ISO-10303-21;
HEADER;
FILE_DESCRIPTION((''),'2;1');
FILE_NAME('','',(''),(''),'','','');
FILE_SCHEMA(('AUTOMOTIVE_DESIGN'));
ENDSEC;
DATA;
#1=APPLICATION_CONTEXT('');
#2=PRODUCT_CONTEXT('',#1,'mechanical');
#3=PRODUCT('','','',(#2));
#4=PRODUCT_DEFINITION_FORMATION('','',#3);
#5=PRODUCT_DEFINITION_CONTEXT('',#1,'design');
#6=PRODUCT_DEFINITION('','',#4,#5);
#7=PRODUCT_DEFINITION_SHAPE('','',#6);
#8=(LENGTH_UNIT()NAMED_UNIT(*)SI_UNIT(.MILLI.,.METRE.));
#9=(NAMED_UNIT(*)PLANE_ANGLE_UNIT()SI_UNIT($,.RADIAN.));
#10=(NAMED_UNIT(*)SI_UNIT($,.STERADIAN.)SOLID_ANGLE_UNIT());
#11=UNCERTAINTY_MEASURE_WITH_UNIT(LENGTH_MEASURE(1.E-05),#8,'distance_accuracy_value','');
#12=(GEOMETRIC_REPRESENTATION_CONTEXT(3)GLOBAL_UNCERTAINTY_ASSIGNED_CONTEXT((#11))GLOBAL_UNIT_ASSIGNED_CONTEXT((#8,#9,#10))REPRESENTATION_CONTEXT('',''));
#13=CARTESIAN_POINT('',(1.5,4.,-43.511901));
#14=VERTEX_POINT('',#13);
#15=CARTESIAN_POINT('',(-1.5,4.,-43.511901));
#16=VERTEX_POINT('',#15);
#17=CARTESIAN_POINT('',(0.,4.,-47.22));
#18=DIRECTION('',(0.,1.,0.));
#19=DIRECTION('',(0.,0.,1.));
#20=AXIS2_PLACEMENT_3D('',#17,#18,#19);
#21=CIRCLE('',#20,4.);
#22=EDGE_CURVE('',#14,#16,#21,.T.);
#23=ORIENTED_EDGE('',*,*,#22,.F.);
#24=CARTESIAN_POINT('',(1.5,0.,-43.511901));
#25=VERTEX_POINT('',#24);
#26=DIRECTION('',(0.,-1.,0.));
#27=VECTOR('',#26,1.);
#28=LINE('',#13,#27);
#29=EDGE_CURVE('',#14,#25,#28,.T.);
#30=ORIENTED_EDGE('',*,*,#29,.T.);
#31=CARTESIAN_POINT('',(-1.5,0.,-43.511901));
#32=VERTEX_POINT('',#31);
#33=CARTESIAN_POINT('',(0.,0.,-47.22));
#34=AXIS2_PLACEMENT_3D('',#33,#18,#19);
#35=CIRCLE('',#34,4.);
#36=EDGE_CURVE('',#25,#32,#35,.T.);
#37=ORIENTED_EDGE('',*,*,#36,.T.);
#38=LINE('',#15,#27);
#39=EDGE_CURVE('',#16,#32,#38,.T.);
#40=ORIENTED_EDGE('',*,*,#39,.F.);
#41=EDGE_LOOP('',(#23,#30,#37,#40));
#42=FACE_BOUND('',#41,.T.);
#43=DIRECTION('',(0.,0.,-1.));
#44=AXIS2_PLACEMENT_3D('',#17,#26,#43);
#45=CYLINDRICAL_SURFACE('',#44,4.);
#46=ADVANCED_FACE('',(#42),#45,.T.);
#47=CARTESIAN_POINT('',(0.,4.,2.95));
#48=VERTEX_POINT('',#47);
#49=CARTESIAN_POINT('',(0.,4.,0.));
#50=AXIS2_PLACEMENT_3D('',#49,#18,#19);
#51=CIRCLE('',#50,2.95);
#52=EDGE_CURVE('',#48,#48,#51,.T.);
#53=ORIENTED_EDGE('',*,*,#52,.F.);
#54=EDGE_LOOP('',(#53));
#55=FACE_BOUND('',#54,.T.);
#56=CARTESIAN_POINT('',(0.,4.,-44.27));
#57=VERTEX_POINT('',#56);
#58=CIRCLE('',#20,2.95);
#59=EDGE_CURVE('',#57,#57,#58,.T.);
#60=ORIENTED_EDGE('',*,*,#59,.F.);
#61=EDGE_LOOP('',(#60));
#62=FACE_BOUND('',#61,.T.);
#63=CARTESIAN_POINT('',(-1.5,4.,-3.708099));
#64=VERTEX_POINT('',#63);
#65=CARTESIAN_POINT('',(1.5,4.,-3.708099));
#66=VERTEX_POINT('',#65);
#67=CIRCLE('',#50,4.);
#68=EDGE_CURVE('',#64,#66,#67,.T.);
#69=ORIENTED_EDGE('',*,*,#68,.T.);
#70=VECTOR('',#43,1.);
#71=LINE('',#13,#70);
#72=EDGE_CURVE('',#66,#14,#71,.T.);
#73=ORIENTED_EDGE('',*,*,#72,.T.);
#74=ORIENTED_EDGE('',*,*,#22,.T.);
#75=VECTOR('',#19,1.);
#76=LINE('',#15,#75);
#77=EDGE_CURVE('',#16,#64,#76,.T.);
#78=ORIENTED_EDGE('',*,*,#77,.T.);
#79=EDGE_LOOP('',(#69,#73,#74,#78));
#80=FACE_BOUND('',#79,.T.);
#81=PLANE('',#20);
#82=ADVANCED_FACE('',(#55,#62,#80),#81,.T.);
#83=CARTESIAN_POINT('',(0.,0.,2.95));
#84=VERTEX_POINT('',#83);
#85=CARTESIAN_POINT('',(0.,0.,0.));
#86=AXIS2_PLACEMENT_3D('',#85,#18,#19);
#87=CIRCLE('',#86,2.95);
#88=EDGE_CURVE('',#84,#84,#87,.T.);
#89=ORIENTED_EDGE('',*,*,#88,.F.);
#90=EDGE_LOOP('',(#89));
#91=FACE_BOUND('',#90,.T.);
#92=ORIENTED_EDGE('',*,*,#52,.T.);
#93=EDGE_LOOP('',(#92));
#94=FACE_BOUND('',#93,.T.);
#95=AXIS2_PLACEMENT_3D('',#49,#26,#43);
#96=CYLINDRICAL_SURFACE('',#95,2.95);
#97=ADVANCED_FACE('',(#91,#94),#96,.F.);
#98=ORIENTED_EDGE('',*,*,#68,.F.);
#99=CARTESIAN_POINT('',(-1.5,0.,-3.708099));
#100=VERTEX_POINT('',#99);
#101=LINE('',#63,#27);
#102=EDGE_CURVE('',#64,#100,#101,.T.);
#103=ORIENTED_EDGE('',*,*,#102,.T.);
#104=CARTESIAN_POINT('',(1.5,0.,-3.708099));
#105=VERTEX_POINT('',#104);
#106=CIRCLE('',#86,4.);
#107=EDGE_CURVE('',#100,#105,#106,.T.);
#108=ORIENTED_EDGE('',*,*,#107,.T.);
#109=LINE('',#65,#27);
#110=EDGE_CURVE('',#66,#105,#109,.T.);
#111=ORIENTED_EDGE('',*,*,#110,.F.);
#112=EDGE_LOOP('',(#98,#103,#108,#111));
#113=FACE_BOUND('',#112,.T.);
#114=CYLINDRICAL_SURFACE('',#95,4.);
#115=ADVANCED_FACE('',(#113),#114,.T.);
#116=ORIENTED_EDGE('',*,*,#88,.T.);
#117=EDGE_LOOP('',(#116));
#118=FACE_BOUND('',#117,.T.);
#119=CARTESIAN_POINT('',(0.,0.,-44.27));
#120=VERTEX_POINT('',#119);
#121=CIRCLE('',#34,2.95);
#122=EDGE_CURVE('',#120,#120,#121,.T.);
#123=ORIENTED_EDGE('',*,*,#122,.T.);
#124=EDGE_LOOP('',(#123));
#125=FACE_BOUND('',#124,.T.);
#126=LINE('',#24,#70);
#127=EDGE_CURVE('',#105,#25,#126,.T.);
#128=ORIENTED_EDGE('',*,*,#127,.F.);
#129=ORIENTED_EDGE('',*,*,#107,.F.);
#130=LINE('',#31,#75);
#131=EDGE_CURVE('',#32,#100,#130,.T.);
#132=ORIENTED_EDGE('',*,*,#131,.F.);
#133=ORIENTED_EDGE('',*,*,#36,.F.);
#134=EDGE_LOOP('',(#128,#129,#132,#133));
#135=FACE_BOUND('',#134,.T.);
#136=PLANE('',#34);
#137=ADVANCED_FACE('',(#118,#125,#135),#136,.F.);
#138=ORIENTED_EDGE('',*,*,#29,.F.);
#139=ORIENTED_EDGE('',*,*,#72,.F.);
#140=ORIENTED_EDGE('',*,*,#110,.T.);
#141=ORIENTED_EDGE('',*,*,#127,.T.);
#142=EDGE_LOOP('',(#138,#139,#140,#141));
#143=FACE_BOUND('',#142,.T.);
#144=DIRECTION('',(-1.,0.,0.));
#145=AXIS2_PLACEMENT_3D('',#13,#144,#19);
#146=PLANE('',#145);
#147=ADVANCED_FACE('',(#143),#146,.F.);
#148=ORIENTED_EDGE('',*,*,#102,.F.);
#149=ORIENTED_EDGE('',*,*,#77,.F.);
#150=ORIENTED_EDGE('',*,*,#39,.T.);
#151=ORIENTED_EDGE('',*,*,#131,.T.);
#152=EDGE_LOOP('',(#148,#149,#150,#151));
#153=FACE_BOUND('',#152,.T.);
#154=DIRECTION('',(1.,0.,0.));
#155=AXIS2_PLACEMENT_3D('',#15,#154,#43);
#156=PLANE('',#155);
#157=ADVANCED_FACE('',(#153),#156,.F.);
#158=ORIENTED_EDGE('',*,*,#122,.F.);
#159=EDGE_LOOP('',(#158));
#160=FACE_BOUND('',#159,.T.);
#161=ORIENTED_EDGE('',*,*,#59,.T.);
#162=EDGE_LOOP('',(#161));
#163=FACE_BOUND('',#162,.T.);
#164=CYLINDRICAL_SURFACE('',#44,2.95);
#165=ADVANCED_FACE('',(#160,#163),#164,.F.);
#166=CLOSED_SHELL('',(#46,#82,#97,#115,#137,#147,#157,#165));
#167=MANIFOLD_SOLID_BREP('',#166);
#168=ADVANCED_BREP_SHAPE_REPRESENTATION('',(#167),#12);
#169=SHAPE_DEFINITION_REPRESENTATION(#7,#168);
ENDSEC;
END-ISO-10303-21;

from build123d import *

# Parameters (mm, degrees)
SKETCH1_R           = 2.95
BOSS_EXTRUDE1_DEPTH = 4


with BuildPart() as part:
    # Sketch1 → Boss-Extrude1 (new body)
    with BuildSketch(Plane(origin=(0, 0, 0), x_dir=(1, 0, 0), z_dir=(0, 1, 0))):
        with BuildLine():
            Line((-1.5, 43.511900756), (-1.5, 3.708099244))
            ThreePointArc((-1.5, 3.708099244), (0, -4), (1.5, 3.708099244))
            Line((1.5, 3.708099244), (1.5, 43.511900756))
            ThreePointArc((1.5, 43.511900756), (0, 51.22), (-1.5, 43.511900756))
        make_face()
        with Locations(Location((0, 47.22, 0), (0, 0, 270))):
            Circle(SKETCH1_R, mode=Mode.SUBTRACT)
        with Locations(Location((0, 0, 0), (0, 0, 270))):
            Circle(SKETCH1_R, mode=Mode.SUBTRACT)
    extrude(amount=BOSS_EXTRUDE1_DEPTH)


solid = part.part
